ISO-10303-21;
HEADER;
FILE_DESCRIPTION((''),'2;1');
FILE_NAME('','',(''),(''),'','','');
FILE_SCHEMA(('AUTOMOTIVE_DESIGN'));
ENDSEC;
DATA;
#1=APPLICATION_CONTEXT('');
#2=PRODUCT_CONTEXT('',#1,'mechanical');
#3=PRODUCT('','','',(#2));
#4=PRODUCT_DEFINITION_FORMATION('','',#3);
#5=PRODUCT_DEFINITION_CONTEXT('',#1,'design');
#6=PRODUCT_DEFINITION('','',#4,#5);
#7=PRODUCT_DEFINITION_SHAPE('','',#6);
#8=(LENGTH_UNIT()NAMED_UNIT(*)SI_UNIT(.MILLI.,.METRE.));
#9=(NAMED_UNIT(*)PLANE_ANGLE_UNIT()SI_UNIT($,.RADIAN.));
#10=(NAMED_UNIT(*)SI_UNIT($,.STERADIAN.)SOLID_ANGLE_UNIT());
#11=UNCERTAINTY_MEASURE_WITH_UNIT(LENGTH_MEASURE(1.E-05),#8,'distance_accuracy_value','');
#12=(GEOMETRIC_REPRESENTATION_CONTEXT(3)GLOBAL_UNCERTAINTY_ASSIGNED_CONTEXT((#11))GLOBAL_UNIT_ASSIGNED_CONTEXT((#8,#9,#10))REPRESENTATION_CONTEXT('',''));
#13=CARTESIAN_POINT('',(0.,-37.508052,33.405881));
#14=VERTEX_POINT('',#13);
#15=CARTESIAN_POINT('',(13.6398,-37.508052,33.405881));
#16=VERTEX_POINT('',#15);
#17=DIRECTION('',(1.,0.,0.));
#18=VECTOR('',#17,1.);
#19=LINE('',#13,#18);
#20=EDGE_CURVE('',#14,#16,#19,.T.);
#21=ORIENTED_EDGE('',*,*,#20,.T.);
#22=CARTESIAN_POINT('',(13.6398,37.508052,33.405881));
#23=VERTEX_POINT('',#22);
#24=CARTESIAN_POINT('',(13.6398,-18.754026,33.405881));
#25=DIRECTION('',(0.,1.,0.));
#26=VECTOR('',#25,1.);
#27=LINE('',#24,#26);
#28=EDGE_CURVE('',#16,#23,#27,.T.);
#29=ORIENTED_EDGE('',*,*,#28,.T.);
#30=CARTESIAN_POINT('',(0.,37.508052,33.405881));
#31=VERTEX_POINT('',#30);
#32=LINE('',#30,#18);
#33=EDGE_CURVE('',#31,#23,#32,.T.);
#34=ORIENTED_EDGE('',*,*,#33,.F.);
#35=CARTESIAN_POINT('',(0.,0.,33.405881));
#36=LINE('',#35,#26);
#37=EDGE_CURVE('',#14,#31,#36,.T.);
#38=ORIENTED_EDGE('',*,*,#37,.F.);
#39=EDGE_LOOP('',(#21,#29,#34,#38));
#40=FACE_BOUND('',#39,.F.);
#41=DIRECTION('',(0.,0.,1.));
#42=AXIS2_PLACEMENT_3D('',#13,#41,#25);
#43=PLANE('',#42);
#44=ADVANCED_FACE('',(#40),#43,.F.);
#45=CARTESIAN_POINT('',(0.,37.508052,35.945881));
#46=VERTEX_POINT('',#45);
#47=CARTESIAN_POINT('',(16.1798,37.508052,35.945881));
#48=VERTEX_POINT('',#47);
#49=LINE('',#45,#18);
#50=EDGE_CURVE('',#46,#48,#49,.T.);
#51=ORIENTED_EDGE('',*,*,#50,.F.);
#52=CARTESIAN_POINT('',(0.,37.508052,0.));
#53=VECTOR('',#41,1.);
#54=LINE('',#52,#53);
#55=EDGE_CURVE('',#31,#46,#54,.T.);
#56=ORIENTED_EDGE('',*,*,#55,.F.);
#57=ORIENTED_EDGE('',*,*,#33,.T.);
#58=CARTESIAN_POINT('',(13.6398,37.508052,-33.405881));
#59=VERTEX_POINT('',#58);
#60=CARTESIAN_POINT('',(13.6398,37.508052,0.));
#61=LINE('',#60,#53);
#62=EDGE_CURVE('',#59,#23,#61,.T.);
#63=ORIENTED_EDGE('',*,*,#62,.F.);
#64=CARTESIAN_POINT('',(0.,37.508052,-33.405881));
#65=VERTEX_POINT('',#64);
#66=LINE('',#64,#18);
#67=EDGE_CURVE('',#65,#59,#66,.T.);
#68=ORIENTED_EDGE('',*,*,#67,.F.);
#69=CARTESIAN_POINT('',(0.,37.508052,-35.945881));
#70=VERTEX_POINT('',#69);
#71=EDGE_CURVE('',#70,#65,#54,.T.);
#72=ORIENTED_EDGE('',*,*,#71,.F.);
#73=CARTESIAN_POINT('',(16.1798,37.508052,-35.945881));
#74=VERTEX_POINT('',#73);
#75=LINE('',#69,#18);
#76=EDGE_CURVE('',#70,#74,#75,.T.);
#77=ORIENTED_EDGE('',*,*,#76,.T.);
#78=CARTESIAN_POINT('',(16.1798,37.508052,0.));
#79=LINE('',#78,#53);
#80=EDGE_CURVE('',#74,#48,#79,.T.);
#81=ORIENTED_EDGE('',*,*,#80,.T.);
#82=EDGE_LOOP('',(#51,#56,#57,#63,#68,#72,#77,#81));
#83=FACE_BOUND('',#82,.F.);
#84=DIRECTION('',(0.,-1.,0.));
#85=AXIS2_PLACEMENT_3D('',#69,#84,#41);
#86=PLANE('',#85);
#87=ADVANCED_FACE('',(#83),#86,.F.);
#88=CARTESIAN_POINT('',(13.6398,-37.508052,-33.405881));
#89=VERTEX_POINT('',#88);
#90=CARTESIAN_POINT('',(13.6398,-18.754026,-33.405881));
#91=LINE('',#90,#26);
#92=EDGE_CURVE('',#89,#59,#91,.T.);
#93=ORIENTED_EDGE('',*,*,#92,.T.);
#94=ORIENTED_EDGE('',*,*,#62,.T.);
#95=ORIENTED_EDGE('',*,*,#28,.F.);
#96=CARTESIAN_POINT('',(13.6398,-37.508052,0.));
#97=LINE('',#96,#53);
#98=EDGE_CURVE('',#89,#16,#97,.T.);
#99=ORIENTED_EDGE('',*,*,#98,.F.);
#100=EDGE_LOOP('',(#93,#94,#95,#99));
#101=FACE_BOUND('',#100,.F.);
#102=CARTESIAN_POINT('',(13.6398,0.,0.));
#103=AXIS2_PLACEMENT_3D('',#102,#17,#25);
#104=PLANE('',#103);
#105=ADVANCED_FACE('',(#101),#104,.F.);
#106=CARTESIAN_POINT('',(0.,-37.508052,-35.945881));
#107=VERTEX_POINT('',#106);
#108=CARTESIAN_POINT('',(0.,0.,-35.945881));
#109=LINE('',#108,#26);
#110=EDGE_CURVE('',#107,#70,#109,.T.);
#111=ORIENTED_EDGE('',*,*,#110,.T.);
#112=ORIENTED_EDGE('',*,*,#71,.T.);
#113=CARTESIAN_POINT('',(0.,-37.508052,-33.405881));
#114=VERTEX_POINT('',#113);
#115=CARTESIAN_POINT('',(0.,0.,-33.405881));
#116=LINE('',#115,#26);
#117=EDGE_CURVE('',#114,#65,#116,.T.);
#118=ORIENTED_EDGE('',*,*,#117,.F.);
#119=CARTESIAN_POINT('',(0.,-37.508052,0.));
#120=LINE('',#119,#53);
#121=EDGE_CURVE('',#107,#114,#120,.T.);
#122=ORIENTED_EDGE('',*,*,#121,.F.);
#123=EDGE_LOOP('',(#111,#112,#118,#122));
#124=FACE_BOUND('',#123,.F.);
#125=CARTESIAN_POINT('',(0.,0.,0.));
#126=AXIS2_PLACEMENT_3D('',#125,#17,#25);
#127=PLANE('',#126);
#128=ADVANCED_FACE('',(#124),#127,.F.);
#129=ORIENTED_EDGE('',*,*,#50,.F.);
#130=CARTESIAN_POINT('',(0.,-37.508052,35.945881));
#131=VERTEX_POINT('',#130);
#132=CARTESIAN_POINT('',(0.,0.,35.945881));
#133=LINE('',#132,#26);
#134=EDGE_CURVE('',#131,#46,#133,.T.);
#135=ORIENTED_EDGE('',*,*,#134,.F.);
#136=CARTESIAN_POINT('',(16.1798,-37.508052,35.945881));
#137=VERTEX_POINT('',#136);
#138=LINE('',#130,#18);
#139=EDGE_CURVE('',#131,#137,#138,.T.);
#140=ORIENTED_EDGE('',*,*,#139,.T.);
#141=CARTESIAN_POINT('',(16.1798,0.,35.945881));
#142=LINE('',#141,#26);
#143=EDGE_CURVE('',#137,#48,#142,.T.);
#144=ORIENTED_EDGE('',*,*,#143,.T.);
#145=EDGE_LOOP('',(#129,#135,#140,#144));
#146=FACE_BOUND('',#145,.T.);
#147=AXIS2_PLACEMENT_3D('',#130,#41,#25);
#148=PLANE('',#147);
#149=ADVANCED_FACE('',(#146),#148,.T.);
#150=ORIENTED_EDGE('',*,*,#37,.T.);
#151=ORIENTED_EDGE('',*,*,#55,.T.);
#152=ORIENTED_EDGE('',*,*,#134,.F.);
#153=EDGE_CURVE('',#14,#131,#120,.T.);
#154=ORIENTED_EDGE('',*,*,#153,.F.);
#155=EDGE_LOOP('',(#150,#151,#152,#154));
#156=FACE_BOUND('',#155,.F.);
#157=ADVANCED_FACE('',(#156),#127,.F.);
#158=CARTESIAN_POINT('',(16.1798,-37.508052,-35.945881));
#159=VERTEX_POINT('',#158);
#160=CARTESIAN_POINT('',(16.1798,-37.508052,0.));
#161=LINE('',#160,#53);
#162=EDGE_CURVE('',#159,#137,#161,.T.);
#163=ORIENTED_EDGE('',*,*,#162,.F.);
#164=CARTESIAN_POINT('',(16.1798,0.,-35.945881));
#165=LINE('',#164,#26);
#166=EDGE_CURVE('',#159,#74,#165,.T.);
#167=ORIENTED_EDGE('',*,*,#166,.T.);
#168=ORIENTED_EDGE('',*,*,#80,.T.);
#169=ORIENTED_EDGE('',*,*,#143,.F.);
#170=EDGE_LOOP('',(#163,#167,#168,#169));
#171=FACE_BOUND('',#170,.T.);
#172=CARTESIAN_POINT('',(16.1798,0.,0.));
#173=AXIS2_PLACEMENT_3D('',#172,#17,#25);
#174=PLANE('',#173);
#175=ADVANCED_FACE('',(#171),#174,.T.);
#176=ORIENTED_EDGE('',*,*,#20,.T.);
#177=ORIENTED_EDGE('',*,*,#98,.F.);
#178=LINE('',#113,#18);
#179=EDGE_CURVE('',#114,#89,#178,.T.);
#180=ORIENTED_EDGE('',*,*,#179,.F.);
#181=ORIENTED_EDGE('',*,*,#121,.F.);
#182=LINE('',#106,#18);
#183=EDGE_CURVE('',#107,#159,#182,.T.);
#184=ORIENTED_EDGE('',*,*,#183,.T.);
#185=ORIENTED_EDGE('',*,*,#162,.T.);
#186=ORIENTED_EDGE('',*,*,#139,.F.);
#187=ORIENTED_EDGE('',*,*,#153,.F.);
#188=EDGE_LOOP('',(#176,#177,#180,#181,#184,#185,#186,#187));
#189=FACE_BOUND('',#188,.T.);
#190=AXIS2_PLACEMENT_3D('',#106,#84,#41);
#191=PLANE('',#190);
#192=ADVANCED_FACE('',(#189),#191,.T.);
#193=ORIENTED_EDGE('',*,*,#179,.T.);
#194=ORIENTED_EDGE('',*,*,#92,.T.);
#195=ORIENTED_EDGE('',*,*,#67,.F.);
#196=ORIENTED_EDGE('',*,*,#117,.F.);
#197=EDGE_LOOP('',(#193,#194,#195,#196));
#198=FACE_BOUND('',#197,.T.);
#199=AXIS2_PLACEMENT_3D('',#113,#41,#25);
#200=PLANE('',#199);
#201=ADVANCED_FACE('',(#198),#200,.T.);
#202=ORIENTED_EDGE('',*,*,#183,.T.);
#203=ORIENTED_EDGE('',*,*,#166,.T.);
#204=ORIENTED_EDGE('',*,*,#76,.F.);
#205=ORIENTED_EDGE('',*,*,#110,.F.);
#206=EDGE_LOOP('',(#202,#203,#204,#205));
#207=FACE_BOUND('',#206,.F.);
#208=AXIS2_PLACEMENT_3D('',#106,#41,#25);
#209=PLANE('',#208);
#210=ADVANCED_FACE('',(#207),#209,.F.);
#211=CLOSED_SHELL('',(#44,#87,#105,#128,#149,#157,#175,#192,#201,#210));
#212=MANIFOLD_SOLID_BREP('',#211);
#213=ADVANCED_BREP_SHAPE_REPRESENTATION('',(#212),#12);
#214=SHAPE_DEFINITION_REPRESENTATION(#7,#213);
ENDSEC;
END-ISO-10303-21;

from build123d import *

# Parameters (mm, degrees)
F0_W     = 75.016104
F0_H     = 71.891762
F1_DEPTH = 16.1798
F2_T     = -2.54


with BuildPart() as f1:
    # F0 (on Right) → F1 (new body)
    with BuildSketch(Plane.YZ):
        Rectangle(F0_W, F0_H)
    extrude(amount=F1_DEPTH)

    # F2
    f2_openings = [f1.faces().sort_by_distance(p)[0] for p in [
        (0, 0, 0),
        (8.0899, -37.508052, 0),
        (8.0899, 37.508052, 0),
    ]]
    offset(amount=F2_T, openings=f2_openings)


solid = f1.part
